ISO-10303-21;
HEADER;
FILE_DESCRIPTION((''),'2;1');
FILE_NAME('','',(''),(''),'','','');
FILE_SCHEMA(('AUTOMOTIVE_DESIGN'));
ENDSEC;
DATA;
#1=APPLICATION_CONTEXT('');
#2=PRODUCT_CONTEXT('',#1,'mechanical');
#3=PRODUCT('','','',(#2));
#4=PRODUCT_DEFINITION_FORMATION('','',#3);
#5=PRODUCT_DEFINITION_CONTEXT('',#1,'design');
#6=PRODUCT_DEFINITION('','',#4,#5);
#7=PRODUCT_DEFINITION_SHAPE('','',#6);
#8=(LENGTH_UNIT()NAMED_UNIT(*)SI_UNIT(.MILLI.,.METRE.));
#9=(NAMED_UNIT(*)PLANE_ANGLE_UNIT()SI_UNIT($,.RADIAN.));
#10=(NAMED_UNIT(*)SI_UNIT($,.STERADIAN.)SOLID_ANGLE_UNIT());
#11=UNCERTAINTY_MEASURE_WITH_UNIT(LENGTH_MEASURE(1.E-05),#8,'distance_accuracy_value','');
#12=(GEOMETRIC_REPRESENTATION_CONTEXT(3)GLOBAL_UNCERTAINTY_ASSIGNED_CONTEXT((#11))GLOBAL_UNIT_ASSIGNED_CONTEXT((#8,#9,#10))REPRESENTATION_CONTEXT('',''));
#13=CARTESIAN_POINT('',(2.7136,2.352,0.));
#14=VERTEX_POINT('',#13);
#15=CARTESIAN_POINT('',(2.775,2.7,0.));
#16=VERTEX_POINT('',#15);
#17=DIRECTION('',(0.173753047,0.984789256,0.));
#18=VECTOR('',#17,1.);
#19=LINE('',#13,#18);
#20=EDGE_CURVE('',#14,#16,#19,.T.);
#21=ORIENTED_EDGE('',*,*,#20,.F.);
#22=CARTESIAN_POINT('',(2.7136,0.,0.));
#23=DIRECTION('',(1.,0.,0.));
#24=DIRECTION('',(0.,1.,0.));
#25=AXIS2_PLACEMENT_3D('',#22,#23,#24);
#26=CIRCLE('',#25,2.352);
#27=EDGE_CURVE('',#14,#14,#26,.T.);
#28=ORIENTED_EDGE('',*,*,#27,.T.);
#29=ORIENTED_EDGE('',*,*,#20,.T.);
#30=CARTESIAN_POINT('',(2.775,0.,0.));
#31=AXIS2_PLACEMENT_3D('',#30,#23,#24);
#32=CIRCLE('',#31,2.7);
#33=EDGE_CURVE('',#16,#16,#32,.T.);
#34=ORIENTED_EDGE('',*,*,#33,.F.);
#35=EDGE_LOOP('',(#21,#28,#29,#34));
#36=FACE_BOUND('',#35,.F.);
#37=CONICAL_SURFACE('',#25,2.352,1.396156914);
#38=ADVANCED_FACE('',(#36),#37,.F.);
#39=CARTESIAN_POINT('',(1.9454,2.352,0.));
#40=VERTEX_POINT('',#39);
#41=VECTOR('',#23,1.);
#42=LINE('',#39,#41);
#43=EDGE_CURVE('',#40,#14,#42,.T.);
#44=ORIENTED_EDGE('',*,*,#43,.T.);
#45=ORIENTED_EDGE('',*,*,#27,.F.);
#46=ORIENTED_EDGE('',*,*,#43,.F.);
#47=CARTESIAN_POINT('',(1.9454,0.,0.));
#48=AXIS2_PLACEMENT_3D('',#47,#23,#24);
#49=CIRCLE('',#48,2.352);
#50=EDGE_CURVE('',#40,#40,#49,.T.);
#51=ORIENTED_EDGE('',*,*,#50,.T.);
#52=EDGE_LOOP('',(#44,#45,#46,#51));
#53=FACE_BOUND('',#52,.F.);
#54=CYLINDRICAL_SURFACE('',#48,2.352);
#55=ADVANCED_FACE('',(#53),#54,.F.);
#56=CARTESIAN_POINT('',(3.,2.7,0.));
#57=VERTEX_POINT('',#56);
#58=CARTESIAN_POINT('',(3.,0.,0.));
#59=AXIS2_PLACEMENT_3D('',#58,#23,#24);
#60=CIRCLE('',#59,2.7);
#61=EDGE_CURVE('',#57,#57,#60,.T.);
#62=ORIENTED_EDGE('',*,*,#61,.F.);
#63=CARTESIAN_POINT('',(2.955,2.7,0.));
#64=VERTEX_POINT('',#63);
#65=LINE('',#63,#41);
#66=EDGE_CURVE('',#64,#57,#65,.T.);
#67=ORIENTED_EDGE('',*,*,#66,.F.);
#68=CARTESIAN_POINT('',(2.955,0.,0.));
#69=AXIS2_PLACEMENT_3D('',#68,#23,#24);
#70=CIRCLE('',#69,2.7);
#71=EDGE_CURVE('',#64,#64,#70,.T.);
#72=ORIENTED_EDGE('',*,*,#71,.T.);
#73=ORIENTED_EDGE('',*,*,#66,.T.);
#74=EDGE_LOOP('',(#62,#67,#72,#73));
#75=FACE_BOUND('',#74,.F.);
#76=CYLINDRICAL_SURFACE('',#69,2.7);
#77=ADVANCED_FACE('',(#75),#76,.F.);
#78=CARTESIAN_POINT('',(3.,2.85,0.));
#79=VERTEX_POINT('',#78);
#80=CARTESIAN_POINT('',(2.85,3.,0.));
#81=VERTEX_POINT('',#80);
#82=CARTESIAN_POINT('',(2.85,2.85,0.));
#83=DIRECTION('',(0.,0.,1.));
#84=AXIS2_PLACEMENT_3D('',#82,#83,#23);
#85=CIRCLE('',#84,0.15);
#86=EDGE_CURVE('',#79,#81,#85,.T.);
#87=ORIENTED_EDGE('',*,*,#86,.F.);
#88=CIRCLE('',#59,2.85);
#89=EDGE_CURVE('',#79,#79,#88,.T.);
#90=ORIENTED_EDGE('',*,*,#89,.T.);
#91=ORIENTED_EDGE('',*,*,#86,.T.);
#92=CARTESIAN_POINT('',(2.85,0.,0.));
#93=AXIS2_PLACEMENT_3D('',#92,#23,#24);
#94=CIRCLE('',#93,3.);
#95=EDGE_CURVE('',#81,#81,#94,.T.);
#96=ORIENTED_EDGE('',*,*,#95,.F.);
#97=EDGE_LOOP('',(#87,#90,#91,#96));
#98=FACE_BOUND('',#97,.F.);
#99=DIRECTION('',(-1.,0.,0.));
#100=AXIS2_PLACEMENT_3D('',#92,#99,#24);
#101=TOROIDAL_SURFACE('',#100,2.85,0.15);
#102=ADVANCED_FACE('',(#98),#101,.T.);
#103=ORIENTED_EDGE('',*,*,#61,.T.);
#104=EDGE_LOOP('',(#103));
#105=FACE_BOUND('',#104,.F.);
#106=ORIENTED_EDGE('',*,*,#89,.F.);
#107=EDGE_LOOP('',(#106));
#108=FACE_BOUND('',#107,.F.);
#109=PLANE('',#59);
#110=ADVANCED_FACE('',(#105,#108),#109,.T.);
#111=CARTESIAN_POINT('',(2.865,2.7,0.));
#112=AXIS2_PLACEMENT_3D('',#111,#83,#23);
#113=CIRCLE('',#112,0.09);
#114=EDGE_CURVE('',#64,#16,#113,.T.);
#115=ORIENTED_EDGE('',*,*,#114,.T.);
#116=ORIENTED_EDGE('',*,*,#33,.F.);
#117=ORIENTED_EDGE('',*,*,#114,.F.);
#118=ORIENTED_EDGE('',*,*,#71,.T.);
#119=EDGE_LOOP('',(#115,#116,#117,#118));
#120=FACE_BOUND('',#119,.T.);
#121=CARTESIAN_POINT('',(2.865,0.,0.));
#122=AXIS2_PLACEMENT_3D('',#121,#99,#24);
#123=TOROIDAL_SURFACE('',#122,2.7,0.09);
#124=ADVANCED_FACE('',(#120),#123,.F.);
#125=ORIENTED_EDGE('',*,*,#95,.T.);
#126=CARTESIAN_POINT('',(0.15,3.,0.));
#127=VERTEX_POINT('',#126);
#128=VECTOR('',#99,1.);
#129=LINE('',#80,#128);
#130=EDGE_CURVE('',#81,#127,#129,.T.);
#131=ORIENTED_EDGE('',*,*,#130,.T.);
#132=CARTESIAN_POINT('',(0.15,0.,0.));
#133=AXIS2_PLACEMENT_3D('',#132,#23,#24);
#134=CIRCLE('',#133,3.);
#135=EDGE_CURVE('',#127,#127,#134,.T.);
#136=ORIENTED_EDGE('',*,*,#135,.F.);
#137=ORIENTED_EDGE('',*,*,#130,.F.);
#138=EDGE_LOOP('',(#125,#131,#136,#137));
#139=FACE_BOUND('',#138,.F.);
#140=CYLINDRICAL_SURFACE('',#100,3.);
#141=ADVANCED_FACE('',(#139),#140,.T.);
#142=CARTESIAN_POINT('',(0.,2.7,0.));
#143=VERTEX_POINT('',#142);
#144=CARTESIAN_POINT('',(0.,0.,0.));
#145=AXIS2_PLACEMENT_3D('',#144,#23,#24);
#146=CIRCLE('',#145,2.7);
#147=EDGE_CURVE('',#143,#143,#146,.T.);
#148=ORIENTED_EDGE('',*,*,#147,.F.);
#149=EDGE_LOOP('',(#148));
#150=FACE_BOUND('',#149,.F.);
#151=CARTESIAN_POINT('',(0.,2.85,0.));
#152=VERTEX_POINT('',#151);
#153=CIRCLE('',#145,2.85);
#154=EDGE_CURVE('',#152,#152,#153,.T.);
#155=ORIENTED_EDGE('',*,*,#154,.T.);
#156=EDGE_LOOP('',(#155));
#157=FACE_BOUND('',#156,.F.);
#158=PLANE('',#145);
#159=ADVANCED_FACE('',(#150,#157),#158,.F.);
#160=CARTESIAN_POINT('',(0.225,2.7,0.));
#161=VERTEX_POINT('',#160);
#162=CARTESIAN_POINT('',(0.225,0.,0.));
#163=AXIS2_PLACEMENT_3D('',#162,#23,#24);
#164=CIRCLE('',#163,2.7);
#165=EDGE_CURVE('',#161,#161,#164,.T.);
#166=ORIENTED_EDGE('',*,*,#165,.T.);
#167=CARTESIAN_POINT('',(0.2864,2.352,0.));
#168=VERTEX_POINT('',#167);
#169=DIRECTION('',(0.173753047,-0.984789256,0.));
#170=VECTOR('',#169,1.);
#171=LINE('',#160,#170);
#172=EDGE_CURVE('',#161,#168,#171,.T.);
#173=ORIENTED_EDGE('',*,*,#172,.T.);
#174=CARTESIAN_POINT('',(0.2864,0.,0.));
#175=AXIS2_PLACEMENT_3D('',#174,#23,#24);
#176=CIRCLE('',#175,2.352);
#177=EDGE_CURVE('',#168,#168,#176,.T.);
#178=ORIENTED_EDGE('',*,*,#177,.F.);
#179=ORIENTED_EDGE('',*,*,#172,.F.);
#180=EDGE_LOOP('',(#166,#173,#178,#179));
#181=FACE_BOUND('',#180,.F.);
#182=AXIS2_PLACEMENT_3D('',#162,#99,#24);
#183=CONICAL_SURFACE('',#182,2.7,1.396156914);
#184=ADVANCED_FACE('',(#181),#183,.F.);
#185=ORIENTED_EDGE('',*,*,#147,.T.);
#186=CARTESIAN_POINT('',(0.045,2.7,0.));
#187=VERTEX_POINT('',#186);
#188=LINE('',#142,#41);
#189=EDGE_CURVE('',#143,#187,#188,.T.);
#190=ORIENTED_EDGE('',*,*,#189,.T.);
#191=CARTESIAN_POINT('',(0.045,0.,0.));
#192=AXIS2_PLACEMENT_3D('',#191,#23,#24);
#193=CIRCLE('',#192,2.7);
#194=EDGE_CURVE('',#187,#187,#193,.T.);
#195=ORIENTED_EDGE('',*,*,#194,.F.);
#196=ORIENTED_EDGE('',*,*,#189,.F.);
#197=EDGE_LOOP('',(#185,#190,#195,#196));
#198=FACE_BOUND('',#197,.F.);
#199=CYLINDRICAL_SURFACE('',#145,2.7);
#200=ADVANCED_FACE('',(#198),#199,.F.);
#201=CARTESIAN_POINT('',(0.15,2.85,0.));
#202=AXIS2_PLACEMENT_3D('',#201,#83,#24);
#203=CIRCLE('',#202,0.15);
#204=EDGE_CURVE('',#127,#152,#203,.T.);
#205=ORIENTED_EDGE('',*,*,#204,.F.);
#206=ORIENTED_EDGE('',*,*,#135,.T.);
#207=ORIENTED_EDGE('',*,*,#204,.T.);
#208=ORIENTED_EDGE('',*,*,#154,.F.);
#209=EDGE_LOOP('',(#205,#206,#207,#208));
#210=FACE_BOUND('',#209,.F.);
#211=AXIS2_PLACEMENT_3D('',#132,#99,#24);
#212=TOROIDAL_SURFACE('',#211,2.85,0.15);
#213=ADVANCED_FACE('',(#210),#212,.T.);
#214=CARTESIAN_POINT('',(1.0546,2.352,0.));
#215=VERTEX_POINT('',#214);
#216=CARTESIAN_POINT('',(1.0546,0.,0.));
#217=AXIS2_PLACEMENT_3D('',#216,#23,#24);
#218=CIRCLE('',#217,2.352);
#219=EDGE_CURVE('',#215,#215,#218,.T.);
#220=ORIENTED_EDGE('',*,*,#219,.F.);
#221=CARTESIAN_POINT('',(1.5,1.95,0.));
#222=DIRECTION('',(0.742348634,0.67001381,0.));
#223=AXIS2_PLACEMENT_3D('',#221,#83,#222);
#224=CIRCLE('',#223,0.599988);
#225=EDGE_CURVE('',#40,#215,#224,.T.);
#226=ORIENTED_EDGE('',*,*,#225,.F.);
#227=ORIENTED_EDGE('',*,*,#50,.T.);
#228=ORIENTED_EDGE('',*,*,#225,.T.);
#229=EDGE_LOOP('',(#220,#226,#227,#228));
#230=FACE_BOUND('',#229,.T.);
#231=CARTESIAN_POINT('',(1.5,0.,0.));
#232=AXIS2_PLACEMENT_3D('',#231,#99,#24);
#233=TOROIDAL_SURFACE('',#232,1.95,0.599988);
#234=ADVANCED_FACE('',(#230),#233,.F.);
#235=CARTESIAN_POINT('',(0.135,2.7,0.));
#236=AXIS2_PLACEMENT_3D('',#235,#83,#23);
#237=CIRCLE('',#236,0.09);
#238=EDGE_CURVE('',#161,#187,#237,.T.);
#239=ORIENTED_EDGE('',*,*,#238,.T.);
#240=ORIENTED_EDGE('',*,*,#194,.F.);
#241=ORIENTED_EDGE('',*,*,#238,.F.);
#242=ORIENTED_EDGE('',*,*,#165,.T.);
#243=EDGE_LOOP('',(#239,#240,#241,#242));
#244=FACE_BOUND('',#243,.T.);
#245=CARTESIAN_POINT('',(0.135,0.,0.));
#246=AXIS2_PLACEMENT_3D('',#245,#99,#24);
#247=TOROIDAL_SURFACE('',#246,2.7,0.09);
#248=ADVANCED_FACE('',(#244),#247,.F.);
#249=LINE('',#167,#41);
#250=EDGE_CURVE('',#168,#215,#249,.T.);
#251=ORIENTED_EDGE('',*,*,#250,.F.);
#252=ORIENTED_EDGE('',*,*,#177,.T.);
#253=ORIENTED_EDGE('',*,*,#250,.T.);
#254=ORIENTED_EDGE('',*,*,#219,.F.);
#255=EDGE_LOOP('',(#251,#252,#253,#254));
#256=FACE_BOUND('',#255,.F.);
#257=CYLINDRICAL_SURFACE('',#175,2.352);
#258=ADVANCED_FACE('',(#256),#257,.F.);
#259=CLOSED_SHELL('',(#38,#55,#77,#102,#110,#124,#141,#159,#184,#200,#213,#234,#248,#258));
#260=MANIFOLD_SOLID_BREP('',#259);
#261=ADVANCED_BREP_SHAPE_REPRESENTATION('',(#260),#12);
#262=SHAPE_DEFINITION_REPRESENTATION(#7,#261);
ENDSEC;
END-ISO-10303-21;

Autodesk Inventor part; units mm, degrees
ref_plane "YZ Plane" through (0, 0, 0) normal (1, 0, 0) x (0, 1, 0)
ref_plane "XZ Plane" through (0, 0, 0) normal (0, 1, 0) x (-1, 0, 0)
ref_plane "XY Plane" through (0, 0, 0) normal (0, 0, 1) x (1, 0, 0)
sketch "Sketch_17" plane through (0, 0, 0) normal (0, 0, 1) x (1, 0, 0)
  line L0 (50, 0) -> (-50, 0)
  line L1 (0, 2.85) -> (0, 2.7)
  line L2 (0, 2.7) -> (0.045, 2.7)
  arc A0 (0.225, 2.7) -> (0.045, 2.7) centre (0.135, 2.7) ccw
  line L3 (0.225, 2.7) -> (0.2864, 2.352)
  line L4 (0.2864, 2.352) -> (1.0546, 2.352)
  arc A1 (1.9454, 2.352) -> (1.0546, 2.352) centre (1.5, 1.95) ccw
  line L5 (1.9454, 2.352) -> (2.7136, 2.352)
  line L6 (2.7136, 2.352) -> (2.775, 2.7)
  arc A2 (2.955, 2.7) -> (2.775, 2.7) centre (2.865, 2.7) ccw
  line L7 (2.955, 2.7) -> (3, 2.7)
  line L8 (3, 2.7) -> (3, 2.85)
  arc A3 (3, 2.85) -> (2.85, 3) centre (2.85, 2.85) ccw
  line L9 (2.85, 3) -> (0.15, 3)
  arc A4 (0.15, 3) -> (0, 2.85) centre (0.15, 2.85) ccw
revolve "Revolution1" add sketch "Sketch_17" angle 360 about axis through (50, 0, 0) along (1, 0, 0)
properties part number "W 639/2-2Z_PART2"
